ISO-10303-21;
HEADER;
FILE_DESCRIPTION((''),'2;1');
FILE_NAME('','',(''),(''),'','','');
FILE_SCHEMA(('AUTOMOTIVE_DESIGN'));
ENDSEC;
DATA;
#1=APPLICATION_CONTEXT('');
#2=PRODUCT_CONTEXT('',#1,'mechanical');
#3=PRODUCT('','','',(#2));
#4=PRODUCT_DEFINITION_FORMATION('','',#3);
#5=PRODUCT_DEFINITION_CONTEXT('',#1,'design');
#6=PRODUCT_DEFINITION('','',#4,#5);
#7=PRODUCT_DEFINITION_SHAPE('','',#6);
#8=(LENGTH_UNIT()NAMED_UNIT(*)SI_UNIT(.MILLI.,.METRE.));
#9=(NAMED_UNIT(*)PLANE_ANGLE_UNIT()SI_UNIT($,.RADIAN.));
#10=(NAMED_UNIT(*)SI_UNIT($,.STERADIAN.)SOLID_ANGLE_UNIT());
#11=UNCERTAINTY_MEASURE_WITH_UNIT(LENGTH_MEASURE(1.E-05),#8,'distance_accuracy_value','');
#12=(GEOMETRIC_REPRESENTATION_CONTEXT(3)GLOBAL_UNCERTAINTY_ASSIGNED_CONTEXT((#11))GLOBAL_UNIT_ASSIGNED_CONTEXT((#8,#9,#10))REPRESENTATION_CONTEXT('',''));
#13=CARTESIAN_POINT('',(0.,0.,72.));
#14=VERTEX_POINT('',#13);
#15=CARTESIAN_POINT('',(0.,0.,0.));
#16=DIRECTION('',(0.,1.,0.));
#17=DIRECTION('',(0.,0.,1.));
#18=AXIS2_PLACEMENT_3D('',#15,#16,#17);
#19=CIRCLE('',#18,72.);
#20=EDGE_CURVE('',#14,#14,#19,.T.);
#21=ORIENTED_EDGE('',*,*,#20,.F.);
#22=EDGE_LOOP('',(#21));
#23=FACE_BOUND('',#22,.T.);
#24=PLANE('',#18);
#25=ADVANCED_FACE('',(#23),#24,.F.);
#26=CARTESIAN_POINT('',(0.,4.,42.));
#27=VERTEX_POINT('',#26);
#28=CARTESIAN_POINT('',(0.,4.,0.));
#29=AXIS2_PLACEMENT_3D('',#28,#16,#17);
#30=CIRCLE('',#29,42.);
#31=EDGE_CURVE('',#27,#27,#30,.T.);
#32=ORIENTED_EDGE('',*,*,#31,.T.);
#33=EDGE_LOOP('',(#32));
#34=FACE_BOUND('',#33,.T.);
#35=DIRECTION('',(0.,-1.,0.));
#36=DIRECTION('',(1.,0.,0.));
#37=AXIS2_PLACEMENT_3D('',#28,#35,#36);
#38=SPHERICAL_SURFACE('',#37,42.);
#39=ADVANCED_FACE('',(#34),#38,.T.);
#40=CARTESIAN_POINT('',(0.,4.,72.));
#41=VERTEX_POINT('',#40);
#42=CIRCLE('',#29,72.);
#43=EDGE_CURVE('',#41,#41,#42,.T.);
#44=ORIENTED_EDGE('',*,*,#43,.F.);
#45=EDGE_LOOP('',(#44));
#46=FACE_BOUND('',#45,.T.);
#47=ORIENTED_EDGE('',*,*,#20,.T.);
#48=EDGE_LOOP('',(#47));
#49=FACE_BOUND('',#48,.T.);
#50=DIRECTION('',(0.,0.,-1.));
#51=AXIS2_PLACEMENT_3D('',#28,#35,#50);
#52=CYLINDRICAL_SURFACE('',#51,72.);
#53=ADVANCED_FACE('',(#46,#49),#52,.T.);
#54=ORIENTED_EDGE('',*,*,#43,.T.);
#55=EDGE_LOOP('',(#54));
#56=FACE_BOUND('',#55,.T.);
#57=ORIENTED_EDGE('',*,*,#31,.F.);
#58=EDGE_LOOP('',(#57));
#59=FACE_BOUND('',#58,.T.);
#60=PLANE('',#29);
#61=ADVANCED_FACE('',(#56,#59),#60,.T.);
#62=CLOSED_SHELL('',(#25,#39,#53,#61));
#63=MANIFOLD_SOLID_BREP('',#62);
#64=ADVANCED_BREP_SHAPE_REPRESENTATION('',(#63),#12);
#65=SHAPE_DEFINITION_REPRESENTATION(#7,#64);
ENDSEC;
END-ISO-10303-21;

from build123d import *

# Parameters (mm, degrees)
SKETCH1_R           = 72
BOSS_EXTRUDE1_DEPTH = 4


with BuildPart() as part:
    # Sketch1 → Boss-Extrude1 (new body)
    with BuildSketch(Plane(origin=(0, 0, 0), x_dir=(1, 0, 0), z_dir=(0, 1, 0))):
        with Locations(Location((0, 0, 0), (0, 0, 270))):
            Circle(SKETCH1_R)
    extrude(amount=BOSS_EXTRUDE1_DEPTH)

    # Sketch2 → Revolve1 (revolve)
    with BuildSketch(Plane.XY):
        with BuildLine():
            Line((0, 4), (0, 46))
            ThreePointArc((0, 46), (29.69848481, 33.69848481), (42, 4))
            Line((42, 4), (0, 4))
        make_face()
    revolve(axis=Axis((0, 4, 0), (0, 1, 0)))


solid = part.part
